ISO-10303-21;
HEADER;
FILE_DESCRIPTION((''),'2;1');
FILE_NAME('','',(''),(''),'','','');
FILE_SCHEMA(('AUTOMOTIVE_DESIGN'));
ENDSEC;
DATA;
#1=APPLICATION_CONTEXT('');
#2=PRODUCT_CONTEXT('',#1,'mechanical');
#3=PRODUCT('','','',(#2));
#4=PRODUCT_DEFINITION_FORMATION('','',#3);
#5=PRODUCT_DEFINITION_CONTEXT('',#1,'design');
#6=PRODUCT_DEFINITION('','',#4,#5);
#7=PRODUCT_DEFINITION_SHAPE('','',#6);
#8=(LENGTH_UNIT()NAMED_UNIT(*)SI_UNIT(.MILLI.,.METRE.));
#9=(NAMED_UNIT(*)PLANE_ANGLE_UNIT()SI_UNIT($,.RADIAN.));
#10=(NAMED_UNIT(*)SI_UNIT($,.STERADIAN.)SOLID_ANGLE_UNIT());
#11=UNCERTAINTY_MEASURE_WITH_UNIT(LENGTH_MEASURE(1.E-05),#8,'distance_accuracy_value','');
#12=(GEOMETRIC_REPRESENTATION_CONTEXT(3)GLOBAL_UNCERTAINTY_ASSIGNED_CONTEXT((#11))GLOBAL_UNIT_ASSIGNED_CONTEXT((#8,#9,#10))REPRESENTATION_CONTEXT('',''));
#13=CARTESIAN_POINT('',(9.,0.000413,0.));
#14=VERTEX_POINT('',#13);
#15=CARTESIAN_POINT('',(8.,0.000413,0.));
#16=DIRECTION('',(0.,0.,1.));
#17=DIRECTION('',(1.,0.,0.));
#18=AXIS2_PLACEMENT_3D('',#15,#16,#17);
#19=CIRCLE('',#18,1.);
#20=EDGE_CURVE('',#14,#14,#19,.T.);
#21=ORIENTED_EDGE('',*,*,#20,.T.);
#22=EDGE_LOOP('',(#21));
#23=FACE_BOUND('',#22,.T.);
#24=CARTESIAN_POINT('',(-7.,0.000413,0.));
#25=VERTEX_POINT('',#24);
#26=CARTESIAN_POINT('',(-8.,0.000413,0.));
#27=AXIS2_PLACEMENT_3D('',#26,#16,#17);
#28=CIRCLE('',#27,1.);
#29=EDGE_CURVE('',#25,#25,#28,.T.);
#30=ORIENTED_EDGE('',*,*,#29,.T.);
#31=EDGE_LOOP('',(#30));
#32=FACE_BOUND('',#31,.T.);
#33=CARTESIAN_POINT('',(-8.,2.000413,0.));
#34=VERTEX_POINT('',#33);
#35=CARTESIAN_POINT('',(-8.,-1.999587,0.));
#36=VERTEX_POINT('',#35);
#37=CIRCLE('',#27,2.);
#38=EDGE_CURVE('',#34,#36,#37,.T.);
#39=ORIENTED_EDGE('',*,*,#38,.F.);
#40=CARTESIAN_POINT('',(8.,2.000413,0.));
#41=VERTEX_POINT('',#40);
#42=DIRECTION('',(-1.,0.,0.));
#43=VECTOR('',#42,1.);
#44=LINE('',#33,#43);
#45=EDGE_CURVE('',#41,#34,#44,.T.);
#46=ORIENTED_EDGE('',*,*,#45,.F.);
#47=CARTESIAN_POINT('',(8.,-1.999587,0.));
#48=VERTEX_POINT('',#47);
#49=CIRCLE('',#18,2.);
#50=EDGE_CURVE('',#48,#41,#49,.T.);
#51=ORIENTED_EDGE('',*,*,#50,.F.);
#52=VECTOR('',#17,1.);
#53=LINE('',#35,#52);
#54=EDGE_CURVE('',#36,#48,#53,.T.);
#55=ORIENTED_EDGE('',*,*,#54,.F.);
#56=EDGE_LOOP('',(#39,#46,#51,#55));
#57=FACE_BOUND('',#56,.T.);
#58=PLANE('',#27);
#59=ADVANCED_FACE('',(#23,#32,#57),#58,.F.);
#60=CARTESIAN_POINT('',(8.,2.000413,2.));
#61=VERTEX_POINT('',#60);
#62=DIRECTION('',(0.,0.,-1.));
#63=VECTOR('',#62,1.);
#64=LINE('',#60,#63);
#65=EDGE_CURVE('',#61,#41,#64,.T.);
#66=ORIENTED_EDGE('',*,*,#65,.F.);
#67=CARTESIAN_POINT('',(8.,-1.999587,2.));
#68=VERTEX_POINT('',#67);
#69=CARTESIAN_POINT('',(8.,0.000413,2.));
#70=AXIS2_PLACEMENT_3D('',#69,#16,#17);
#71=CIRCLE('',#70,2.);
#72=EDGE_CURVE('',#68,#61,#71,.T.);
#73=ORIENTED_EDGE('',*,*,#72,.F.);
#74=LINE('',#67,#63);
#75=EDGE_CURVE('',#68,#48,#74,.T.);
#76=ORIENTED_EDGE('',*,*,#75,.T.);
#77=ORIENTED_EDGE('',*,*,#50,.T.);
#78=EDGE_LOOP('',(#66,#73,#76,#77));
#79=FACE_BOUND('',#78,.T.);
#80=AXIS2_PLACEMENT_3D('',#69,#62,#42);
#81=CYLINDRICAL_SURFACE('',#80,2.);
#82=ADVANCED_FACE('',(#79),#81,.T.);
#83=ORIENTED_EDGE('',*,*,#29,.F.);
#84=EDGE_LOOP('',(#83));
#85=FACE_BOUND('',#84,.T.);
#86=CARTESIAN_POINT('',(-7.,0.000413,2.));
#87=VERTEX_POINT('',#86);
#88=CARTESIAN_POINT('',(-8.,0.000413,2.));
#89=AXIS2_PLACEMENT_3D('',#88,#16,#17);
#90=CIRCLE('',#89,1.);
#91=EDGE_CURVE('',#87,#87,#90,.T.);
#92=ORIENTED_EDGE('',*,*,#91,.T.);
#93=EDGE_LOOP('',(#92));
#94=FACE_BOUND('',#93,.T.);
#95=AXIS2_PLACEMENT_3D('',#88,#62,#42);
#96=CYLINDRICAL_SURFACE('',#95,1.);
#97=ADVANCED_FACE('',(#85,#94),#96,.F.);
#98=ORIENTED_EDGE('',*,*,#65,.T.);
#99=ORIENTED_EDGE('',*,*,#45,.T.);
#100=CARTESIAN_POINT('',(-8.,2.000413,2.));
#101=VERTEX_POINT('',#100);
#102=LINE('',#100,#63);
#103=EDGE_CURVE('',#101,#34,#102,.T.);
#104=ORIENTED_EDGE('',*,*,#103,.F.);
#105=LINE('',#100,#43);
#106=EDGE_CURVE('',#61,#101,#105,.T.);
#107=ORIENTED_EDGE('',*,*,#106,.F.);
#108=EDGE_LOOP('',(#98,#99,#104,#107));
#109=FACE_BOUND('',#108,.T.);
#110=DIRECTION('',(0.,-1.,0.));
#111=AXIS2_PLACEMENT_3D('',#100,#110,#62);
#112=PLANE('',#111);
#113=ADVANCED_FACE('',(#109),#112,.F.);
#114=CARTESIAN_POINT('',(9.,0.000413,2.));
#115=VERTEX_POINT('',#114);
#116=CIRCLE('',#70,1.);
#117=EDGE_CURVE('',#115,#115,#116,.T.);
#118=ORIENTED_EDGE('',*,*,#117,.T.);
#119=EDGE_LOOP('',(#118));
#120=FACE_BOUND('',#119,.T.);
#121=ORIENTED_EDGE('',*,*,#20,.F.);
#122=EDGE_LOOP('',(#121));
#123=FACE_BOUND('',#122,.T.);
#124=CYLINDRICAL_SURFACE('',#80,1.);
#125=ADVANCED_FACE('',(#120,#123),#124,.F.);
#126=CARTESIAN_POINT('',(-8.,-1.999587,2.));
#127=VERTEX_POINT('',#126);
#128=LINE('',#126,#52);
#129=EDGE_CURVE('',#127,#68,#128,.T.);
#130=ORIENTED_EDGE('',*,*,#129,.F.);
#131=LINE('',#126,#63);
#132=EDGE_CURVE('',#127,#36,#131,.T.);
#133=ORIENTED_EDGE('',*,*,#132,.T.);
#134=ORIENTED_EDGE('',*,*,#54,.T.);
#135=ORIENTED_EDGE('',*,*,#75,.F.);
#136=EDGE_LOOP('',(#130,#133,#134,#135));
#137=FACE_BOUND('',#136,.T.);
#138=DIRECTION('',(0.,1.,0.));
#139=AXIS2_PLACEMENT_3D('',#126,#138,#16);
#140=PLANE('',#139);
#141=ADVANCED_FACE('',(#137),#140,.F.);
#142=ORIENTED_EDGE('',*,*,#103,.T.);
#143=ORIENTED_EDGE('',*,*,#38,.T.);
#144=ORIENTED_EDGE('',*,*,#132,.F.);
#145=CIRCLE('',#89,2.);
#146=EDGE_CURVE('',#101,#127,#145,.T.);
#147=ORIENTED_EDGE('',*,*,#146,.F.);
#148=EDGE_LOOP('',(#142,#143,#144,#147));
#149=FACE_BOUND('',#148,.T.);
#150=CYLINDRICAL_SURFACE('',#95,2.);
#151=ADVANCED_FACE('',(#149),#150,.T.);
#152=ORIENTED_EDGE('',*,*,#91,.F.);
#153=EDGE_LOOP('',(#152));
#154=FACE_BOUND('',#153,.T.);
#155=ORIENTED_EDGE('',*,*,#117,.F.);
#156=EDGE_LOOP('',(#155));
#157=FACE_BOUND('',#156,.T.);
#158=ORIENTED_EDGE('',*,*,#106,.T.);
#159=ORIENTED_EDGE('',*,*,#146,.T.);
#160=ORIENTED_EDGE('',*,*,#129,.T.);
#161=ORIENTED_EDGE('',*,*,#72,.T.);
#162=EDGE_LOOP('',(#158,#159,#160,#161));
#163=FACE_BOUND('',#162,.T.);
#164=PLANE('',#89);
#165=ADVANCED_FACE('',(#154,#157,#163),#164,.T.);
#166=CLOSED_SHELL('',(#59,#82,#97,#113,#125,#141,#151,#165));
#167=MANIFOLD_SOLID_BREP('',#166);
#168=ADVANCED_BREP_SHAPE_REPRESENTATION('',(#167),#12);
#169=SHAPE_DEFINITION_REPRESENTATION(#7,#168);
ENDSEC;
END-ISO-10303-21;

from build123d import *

# Parameters (mm, degrees)
SKETCH_1_R      = 1
EXTRUDE_1_DEPTH = 2


with BuildPart() as part:
    # 草圖1 → 填料-伸長1 (new body)
    with BuildSketch(Plane.XY):
        with BuildLine():
            Line((-7.999999989, 2.00041278), (8.000000011, 2.00041278))
            ThreePointArc((8.000000011, 2.00041278), (10.000000011, 0.00041278), (8.000000011, -1.99958722))
            Line((8.000000011, -1.99958722), (-7.999999989, -1.99958722))
            ThreePointArc((-7.999999989, -1.99958722), (-9.999999989, 0.00041278), (-7.999999989, 2.00041278))
        make_face()
        with Locations((-7.999999989, 0.00041278)):
            Circle(SKETCH_1_R, mode=Mode.SUBTRACT)
        with Locations((8.000000011, 0.00041278)):
            Circle(SKETCH_1_R, mode=Mode.SUBTRACT)
    extrude(amount=EXTRUDE_1_DEPTH)


solid = part.part
